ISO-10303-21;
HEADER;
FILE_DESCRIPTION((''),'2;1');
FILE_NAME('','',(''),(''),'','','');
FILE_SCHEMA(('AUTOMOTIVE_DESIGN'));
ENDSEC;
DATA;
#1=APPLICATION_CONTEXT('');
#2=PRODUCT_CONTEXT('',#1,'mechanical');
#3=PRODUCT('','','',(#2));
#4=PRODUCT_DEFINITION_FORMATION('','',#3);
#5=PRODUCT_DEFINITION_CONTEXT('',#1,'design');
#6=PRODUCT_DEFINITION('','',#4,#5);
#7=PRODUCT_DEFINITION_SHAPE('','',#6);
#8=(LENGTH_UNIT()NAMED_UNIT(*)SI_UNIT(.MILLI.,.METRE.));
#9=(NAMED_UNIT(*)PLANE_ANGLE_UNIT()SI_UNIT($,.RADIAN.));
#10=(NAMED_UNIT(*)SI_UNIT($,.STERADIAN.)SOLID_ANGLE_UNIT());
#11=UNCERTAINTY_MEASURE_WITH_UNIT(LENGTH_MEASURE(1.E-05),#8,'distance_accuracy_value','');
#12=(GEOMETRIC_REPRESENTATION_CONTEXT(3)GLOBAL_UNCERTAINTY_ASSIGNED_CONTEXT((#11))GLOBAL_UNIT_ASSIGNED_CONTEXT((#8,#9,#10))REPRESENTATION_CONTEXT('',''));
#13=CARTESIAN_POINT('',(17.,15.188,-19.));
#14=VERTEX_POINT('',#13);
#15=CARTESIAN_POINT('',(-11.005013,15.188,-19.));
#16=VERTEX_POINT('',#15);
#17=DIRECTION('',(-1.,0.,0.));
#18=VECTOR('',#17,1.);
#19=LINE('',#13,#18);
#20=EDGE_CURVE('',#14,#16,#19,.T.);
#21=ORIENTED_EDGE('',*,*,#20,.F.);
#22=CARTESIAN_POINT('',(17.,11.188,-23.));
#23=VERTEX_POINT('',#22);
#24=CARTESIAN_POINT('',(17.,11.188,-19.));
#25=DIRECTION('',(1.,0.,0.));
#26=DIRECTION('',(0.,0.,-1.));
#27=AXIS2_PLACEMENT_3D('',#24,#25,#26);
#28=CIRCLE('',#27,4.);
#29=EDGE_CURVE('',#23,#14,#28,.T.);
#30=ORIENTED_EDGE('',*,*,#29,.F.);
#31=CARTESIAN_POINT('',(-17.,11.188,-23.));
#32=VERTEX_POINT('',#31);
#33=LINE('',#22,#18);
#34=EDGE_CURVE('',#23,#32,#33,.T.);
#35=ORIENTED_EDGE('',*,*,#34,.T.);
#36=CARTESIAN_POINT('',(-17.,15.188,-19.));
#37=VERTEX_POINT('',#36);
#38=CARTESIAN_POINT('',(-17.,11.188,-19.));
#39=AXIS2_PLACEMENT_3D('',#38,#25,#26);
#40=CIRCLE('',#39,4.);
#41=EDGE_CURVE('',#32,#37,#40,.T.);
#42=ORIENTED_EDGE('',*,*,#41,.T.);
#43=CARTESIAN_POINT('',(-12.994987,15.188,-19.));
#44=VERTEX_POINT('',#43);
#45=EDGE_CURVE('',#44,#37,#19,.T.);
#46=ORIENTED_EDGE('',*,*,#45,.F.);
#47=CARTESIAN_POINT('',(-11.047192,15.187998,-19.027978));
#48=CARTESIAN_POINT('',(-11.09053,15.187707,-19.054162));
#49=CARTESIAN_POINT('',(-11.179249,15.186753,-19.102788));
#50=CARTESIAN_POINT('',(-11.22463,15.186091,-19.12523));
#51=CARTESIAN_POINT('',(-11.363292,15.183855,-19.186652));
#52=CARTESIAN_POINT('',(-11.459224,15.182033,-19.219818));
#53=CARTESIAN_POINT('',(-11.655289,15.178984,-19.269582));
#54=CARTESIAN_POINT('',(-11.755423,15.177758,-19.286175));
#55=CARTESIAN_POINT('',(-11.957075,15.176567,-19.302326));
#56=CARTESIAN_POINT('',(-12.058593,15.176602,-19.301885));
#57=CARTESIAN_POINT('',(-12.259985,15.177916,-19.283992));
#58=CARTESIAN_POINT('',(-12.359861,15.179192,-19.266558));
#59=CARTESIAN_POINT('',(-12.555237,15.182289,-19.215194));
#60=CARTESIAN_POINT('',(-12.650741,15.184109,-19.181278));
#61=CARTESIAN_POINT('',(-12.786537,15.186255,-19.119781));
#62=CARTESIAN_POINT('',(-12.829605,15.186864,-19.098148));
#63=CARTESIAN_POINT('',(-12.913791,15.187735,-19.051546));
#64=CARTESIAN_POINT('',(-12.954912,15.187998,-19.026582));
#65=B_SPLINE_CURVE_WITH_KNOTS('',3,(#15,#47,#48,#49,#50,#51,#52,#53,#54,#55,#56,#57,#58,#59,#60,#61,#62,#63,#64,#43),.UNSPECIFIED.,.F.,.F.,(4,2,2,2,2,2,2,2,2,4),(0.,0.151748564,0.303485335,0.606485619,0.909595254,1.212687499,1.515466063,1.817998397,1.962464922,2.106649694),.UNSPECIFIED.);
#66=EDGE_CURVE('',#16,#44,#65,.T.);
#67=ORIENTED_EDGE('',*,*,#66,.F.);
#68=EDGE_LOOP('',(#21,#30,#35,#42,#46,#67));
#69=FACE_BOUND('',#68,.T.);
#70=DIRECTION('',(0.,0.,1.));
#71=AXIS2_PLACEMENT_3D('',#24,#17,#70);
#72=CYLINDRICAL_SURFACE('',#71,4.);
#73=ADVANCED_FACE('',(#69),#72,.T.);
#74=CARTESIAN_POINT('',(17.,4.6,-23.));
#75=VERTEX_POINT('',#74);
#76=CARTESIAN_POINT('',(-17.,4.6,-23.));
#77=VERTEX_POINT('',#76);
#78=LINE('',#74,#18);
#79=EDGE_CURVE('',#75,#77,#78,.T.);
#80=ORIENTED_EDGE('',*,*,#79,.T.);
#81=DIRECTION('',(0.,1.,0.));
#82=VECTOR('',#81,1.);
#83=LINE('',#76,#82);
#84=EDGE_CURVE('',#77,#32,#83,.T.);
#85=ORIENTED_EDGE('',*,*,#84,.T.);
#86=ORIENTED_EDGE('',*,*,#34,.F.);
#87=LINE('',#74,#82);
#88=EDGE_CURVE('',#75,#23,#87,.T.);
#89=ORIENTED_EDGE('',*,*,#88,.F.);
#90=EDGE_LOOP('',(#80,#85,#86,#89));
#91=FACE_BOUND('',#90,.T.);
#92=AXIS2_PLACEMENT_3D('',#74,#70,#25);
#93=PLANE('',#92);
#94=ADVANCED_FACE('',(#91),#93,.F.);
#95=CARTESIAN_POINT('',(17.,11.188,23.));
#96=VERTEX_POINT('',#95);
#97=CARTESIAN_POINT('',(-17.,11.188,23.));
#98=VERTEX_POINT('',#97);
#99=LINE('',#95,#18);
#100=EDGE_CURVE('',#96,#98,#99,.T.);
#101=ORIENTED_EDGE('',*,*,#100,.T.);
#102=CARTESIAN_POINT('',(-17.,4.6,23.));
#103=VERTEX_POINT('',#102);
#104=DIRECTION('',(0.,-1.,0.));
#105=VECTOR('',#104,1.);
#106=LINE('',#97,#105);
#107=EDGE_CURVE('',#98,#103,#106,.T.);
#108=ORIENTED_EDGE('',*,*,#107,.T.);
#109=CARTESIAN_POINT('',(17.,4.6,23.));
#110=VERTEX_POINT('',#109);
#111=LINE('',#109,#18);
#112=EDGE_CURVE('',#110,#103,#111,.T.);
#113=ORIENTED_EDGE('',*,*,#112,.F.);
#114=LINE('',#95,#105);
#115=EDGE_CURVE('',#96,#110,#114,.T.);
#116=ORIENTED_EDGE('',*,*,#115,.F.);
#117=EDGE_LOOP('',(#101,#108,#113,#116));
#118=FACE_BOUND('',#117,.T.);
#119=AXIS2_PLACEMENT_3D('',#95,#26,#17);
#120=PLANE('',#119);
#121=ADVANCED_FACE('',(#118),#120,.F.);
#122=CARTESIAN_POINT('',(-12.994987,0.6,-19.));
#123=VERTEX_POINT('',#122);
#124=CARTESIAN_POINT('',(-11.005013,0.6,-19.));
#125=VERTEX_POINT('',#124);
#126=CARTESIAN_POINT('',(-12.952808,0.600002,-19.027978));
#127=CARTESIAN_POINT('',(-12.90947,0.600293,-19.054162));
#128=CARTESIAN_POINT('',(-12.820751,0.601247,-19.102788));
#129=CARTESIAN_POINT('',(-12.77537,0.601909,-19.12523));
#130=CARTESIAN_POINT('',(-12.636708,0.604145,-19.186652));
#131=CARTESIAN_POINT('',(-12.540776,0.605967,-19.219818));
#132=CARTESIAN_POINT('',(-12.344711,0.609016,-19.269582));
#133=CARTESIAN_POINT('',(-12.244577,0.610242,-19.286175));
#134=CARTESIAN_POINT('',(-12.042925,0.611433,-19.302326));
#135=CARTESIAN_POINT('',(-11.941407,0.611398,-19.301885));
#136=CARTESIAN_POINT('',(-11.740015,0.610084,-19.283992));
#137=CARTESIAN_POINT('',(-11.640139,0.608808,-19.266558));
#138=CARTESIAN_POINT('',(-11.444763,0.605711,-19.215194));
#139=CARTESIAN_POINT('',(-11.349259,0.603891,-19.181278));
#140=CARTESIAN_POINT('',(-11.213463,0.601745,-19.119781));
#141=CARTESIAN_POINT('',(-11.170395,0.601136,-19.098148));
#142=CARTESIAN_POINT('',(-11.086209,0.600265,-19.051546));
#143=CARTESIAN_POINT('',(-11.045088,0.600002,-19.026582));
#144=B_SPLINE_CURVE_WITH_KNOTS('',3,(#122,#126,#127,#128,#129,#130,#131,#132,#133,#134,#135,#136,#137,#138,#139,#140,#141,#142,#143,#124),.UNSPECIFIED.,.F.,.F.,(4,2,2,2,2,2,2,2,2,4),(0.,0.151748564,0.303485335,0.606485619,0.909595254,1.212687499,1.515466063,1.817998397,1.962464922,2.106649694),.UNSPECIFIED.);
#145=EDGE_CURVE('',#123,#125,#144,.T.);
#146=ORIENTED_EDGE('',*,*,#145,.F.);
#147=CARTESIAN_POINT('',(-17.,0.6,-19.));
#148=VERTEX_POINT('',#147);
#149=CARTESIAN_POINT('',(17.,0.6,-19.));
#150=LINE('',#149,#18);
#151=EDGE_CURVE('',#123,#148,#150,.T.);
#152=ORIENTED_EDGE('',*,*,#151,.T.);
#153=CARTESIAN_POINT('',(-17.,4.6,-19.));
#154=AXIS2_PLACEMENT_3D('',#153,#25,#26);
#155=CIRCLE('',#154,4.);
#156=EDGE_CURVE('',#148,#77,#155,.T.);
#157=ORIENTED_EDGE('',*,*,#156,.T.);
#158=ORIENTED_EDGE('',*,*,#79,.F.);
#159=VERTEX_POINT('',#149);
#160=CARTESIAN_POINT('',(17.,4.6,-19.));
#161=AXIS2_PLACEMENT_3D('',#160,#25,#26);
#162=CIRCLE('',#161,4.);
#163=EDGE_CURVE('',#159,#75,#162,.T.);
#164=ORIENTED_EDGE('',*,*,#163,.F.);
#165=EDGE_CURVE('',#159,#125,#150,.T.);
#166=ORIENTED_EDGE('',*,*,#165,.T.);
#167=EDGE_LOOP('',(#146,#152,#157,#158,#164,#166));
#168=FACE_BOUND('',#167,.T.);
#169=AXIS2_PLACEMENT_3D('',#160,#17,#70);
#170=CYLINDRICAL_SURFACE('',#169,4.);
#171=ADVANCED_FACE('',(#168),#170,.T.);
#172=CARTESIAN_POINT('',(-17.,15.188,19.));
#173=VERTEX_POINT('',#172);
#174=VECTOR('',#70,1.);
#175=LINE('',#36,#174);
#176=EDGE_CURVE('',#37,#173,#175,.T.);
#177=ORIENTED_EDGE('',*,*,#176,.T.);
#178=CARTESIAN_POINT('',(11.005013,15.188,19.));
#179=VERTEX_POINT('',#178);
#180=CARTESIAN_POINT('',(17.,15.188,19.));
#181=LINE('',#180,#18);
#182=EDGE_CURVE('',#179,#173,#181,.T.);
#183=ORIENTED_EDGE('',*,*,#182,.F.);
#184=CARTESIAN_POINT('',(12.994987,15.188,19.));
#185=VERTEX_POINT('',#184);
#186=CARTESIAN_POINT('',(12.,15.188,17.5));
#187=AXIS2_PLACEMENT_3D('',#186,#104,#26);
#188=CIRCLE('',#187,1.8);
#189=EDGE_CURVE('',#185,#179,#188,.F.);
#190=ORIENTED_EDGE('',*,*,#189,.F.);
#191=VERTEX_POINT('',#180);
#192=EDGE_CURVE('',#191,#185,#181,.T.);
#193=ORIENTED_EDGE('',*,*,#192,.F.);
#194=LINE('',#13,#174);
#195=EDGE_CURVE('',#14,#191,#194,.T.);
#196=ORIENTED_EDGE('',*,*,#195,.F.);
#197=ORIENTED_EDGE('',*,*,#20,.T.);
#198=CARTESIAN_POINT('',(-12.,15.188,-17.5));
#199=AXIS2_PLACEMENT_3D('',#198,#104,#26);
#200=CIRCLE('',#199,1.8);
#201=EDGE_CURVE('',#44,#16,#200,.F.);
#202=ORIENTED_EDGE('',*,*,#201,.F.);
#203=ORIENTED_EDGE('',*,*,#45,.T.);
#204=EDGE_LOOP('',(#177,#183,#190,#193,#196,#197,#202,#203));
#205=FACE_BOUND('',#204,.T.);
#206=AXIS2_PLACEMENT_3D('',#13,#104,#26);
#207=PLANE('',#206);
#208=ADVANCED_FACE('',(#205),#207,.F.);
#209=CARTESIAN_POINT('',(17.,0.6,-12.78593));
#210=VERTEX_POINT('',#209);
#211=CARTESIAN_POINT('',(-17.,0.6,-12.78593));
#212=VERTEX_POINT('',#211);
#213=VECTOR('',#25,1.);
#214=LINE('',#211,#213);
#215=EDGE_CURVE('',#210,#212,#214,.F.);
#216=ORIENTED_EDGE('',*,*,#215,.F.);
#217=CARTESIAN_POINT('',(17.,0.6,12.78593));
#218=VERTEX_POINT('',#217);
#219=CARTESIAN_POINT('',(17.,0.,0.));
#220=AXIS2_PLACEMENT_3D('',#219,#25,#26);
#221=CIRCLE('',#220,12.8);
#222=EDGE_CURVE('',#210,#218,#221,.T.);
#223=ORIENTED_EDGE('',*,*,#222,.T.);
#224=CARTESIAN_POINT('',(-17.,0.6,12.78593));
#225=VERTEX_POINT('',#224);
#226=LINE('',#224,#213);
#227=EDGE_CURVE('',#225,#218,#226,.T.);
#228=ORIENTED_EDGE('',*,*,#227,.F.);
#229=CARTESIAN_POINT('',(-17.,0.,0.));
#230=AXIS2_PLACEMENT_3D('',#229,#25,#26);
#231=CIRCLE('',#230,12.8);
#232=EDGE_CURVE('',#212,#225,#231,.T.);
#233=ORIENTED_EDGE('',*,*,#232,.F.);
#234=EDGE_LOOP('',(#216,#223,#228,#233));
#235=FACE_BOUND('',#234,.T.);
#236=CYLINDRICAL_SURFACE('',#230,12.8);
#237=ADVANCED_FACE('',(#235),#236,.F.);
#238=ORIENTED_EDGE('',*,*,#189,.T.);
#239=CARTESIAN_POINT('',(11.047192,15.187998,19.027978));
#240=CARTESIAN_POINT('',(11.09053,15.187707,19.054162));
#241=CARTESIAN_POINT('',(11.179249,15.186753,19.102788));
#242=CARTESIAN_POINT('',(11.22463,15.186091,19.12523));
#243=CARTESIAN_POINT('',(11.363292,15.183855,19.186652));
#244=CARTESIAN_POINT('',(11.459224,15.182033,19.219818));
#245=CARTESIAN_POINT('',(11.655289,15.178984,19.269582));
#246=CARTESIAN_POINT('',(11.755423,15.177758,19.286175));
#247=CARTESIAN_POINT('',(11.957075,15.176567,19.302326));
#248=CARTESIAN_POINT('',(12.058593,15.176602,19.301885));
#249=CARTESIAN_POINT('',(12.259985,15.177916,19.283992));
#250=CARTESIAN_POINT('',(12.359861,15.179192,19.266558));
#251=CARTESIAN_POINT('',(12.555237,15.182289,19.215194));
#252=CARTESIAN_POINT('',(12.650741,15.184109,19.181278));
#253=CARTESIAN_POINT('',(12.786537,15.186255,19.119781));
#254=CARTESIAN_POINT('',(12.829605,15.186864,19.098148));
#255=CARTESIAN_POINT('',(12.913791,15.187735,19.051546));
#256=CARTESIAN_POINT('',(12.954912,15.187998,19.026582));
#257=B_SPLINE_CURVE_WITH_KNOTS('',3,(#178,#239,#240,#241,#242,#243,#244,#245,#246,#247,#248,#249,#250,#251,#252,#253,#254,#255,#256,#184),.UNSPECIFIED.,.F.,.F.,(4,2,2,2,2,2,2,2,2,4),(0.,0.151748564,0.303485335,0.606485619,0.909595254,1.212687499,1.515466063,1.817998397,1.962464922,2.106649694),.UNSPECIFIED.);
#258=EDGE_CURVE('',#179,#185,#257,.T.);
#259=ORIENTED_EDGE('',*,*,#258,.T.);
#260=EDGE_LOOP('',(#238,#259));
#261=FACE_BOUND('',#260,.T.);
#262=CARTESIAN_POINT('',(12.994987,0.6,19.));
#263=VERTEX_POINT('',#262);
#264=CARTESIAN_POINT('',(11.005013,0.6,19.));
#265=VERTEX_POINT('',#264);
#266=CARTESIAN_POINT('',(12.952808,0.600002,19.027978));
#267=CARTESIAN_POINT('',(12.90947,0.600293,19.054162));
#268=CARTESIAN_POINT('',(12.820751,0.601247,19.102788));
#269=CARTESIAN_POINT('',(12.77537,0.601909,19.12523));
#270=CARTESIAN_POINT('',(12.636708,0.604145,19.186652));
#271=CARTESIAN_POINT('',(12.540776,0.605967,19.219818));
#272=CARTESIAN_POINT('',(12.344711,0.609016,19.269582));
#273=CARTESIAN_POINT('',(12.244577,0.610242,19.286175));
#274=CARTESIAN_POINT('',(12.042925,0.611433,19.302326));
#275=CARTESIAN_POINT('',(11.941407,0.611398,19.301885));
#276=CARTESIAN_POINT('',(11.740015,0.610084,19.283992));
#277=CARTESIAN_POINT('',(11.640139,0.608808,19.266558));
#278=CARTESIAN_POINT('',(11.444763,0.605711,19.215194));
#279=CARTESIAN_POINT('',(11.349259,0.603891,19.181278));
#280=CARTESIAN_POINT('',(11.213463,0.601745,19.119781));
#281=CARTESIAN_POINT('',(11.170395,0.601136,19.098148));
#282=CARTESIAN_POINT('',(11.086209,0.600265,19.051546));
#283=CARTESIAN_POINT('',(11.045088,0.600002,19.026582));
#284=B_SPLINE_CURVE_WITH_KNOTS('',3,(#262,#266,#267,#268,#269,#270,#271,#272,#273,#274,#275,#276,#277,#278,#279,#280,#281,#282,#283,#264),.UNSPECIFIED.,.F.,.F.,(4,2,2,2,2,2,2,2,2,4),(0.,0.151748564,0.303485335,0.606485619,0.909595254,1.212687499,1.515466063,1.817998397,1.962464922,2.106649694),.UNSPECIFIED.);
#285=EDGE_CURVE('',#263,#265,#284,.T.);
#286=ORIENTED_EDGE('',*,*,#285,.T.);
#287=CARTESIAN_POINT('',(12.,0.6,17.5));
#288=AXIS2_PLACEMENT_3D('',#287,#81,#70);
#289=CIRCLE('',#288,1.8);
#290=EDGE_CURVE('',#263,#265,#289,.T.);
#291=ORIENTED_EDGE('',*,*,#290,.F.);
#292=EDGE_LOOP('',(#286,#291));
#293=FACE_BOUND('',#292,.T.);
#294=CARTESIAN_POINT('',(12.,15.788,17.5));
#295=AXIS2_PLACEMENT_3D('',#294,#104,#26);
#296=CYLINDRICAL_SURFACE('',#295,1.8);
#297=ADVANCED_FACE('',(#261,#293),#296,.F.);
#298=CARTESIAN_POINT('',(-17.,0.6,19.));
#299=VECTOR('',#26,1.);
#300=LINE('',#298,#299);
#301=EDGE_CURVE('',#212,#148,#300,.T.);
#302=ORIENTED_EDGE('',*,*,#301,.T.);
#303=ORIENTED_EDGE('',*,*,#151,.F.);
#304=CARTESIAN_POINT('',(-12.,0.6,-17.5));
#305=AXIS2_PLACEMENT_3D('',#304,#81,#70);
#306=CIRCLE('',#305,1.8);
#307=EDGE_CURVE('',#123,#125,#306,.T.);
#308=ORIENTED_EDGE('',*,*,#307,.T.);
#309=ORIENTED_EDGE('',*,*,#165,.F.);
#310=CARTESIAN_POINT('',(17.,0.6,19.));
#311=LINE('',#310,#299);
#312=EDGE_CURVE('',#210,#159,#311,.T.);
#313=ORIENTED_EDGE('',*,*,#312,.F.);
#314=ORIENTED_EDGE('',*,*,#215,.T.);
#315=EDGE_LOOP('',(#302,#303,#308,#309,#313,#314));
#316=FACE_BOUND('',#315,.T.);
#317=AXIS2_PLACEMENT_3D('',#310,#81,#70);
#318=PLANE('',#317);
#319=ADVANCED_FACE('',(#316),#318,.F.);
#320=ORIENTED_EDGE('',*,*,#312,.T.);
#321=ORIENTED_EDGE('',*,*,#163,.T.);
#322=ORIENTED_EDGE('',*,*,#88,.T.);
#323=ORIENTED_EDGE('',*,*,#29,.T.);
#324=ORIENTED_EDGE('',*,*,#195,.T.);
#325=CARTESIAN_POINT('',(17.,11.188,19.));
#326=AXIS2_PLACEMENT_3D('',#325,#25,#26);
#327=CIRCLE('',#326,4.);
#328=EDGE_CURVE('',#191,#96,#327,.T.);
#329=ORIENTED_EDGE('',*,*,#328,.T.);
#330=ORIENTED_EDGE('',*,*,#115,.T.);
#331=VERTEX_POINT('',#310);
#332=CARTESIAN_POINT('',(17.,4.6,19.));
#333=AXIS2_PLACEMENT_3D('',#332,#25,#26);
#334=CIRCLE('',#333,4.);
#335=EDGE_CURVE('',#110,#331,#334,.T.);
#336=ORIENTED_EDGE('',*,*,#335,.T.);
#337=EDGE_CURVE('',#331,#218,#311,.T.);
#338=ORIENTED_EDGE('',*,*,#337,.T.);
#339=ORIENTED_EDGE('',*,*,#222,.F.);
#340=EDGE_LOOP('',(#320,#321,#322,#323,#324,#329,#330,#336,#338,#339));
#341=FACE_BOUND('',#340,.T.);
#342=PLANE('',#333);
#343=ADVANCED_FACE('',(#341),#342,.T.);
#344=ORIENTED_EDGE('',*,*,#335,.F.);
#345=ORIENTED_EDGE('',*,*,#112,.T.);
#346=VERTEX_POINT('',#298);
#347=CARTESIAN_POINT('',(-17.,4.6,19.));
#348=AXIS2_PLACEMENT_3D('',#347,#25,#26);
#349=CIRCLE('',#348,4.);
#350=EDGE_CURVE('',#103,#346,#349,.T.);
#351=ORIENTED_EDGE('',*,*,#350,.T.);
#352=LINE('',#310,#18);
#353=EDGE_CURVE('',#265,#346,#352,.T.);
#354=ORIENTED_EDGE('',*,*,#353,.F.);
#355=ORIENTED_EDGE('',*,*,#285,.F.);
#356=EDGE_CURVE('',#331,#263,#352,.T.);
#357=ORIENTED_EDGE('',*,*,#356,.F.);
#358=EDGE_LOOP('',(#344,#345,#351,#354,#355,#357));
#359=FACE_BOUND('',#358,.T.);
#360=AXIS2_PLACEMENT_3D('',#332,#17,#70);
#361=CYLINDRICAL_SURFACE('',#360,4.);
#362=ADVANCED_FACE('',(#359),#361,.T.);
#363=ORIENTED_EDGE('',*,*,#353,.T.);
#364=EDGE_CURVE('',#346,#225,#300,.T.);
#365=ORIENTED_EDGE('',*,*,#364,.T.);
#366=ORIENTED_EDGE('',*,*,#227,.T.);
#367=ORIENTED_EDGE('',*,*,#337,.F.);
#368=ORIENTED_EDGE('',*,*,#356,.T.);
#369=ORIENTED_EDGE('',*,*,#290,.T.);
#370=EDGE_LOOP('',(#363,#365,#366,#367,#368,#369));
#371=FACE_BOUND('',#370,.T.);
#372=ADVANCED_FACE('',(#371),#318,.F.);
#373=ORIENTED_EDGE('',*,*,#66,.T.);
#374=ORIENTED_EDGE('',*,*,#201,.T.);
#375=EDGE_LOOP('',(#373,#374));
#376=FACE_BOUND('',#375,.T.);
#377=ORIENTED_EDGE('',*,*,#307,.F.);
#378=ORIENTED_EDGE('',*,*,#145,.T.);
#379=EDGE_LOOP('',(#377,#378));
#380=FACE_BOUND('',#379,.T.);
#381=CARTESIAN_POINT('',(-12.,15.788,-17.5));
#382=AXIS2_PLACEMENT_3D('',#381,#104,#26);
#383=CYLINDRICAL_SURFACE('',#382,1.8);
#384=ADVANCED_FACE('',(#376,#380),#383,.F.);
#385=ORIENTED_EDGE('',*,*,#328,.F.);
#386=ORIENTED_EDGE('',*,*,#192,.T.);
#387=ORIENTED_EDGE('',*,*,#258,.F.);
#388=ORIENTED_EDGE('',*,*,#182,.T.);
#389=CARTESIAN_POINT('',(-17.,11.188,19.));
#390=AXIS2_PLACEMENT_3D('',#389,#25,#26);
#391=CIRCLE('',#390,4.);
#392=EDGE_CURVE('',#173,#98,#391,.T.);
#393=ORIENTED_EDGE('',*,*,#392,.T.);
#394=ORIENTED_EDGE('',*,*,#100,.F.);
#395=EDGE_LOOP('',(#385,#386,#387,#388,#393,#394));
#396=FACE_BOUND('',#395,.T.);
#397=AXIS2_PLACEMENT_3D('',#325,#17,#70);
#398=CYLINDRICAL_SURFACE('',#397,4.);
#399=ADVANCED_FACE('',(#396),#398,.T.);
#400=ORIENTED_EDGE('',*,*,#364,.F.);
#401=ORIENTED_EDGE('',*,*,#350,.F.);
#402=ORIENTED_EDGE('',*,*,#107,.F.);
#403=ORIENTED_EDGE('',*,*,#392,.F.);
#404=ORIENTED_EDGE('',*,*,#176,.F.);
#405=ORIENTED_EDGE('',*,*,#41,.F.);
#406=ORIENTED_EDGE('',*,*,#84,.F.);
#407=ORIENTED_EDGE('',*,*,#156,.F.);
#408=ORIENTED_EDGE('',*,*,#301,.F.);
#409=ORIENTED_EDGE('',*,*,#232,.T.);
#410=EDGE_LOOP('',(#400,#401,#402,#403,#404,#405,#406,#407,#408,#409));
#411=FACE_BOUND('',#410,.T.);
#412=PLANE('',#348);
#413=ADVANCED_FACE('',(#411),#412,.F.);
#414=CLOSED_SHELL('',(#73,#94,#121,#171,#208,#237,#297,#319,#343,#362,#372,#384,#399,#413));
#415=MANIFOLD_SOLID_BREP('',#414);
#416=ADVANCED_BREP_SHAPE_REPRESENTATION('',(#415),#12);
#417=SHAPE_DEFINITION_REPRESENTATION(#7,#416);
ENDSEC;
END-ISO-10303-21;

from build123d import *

# Parameters (mm, degrees)
BOSS_EXTRUDE1_DEPTH     = 17
CUT_EXTRUDE1_DEPTH      = 33.383257156
CUT_EXTRUDE1_DEPTH_BACK = 33.383257156
SKETCH2_R               = 12.8
SKETCH3_R               = 1.8
CUT_EXTRUDE2_DEPTH      = 15.188


with BuildPart() as part:
    # Sketch1 → Boss-Extrude1 (new, symmetric)
    with BuildSketch(Plane(origin=(0, 0, 0), x_dir=(0, 0, -1), z_dir=(1, 0, 0))):
        with BuildLine():
            Line((-19, 0.6), (19, 0.6))
            ThreePointArc((19, 0.6), (21.828427125, 1.771572875), (23, 4.6))
            Line((23, 4.6), (23, 11.188))
            ThreePointArc((23, 11.188), (21.828427125, 14.016427125), (19, 15.188))
            Line((19, 15.188), (-19, 15.188))
            ThreePointArc((-19, 15.188), (-21.828427125, 14.016427125), (-23, 11.188))
            Line((-23, 11.188), (-23, 4.6))
            ThreePointArc((-23, 4.6), (-21.828427125, 1.771572875), (-19, 0.6))
        make_face()
    extrude(amount=BOSS_EXTRUDE1_DEPTH, both=True)

    # Sketch2 → Cut-Extrude1 (cut, two sides: drawn at the far end of the back side and taken through both)
    with BuildSketch(Plane(origin=(0, 0, 0), x_dir=(0, 0, -1), z_dir=(1, 0, 0)).offset(-CUT_EXTRUDE1_DEPTH_BACK)):
        Circle(SKETCH2_R)
    extrude(amount=CUT_EXTRUDE1_DEPTH + CUT_EXTRUDE1_DEPTH_BACK, mode=Mode.SUBTRACT)

    # Sketch3 → Cut-Extrude2 (cut)
    with BuildSketch(Plane(origin=(0, 0.6, 0), x_dir=(1, 0, 0), z_dir=(0, 1, 0))):
        with Locations(Location((12, -17.5, 0), (0, 0, 236.442690238))):
            Circle(SKETCH3_R)
        with Locations(Location((-12, 17.5, 0), (0, 0, 123.557309762))):
            Circle(SKETCH3_R)
    extrude(amount=CUT_EXTRUDE2_DEPTH, mode=Mode.SUBTRACT)


solid = part.part
